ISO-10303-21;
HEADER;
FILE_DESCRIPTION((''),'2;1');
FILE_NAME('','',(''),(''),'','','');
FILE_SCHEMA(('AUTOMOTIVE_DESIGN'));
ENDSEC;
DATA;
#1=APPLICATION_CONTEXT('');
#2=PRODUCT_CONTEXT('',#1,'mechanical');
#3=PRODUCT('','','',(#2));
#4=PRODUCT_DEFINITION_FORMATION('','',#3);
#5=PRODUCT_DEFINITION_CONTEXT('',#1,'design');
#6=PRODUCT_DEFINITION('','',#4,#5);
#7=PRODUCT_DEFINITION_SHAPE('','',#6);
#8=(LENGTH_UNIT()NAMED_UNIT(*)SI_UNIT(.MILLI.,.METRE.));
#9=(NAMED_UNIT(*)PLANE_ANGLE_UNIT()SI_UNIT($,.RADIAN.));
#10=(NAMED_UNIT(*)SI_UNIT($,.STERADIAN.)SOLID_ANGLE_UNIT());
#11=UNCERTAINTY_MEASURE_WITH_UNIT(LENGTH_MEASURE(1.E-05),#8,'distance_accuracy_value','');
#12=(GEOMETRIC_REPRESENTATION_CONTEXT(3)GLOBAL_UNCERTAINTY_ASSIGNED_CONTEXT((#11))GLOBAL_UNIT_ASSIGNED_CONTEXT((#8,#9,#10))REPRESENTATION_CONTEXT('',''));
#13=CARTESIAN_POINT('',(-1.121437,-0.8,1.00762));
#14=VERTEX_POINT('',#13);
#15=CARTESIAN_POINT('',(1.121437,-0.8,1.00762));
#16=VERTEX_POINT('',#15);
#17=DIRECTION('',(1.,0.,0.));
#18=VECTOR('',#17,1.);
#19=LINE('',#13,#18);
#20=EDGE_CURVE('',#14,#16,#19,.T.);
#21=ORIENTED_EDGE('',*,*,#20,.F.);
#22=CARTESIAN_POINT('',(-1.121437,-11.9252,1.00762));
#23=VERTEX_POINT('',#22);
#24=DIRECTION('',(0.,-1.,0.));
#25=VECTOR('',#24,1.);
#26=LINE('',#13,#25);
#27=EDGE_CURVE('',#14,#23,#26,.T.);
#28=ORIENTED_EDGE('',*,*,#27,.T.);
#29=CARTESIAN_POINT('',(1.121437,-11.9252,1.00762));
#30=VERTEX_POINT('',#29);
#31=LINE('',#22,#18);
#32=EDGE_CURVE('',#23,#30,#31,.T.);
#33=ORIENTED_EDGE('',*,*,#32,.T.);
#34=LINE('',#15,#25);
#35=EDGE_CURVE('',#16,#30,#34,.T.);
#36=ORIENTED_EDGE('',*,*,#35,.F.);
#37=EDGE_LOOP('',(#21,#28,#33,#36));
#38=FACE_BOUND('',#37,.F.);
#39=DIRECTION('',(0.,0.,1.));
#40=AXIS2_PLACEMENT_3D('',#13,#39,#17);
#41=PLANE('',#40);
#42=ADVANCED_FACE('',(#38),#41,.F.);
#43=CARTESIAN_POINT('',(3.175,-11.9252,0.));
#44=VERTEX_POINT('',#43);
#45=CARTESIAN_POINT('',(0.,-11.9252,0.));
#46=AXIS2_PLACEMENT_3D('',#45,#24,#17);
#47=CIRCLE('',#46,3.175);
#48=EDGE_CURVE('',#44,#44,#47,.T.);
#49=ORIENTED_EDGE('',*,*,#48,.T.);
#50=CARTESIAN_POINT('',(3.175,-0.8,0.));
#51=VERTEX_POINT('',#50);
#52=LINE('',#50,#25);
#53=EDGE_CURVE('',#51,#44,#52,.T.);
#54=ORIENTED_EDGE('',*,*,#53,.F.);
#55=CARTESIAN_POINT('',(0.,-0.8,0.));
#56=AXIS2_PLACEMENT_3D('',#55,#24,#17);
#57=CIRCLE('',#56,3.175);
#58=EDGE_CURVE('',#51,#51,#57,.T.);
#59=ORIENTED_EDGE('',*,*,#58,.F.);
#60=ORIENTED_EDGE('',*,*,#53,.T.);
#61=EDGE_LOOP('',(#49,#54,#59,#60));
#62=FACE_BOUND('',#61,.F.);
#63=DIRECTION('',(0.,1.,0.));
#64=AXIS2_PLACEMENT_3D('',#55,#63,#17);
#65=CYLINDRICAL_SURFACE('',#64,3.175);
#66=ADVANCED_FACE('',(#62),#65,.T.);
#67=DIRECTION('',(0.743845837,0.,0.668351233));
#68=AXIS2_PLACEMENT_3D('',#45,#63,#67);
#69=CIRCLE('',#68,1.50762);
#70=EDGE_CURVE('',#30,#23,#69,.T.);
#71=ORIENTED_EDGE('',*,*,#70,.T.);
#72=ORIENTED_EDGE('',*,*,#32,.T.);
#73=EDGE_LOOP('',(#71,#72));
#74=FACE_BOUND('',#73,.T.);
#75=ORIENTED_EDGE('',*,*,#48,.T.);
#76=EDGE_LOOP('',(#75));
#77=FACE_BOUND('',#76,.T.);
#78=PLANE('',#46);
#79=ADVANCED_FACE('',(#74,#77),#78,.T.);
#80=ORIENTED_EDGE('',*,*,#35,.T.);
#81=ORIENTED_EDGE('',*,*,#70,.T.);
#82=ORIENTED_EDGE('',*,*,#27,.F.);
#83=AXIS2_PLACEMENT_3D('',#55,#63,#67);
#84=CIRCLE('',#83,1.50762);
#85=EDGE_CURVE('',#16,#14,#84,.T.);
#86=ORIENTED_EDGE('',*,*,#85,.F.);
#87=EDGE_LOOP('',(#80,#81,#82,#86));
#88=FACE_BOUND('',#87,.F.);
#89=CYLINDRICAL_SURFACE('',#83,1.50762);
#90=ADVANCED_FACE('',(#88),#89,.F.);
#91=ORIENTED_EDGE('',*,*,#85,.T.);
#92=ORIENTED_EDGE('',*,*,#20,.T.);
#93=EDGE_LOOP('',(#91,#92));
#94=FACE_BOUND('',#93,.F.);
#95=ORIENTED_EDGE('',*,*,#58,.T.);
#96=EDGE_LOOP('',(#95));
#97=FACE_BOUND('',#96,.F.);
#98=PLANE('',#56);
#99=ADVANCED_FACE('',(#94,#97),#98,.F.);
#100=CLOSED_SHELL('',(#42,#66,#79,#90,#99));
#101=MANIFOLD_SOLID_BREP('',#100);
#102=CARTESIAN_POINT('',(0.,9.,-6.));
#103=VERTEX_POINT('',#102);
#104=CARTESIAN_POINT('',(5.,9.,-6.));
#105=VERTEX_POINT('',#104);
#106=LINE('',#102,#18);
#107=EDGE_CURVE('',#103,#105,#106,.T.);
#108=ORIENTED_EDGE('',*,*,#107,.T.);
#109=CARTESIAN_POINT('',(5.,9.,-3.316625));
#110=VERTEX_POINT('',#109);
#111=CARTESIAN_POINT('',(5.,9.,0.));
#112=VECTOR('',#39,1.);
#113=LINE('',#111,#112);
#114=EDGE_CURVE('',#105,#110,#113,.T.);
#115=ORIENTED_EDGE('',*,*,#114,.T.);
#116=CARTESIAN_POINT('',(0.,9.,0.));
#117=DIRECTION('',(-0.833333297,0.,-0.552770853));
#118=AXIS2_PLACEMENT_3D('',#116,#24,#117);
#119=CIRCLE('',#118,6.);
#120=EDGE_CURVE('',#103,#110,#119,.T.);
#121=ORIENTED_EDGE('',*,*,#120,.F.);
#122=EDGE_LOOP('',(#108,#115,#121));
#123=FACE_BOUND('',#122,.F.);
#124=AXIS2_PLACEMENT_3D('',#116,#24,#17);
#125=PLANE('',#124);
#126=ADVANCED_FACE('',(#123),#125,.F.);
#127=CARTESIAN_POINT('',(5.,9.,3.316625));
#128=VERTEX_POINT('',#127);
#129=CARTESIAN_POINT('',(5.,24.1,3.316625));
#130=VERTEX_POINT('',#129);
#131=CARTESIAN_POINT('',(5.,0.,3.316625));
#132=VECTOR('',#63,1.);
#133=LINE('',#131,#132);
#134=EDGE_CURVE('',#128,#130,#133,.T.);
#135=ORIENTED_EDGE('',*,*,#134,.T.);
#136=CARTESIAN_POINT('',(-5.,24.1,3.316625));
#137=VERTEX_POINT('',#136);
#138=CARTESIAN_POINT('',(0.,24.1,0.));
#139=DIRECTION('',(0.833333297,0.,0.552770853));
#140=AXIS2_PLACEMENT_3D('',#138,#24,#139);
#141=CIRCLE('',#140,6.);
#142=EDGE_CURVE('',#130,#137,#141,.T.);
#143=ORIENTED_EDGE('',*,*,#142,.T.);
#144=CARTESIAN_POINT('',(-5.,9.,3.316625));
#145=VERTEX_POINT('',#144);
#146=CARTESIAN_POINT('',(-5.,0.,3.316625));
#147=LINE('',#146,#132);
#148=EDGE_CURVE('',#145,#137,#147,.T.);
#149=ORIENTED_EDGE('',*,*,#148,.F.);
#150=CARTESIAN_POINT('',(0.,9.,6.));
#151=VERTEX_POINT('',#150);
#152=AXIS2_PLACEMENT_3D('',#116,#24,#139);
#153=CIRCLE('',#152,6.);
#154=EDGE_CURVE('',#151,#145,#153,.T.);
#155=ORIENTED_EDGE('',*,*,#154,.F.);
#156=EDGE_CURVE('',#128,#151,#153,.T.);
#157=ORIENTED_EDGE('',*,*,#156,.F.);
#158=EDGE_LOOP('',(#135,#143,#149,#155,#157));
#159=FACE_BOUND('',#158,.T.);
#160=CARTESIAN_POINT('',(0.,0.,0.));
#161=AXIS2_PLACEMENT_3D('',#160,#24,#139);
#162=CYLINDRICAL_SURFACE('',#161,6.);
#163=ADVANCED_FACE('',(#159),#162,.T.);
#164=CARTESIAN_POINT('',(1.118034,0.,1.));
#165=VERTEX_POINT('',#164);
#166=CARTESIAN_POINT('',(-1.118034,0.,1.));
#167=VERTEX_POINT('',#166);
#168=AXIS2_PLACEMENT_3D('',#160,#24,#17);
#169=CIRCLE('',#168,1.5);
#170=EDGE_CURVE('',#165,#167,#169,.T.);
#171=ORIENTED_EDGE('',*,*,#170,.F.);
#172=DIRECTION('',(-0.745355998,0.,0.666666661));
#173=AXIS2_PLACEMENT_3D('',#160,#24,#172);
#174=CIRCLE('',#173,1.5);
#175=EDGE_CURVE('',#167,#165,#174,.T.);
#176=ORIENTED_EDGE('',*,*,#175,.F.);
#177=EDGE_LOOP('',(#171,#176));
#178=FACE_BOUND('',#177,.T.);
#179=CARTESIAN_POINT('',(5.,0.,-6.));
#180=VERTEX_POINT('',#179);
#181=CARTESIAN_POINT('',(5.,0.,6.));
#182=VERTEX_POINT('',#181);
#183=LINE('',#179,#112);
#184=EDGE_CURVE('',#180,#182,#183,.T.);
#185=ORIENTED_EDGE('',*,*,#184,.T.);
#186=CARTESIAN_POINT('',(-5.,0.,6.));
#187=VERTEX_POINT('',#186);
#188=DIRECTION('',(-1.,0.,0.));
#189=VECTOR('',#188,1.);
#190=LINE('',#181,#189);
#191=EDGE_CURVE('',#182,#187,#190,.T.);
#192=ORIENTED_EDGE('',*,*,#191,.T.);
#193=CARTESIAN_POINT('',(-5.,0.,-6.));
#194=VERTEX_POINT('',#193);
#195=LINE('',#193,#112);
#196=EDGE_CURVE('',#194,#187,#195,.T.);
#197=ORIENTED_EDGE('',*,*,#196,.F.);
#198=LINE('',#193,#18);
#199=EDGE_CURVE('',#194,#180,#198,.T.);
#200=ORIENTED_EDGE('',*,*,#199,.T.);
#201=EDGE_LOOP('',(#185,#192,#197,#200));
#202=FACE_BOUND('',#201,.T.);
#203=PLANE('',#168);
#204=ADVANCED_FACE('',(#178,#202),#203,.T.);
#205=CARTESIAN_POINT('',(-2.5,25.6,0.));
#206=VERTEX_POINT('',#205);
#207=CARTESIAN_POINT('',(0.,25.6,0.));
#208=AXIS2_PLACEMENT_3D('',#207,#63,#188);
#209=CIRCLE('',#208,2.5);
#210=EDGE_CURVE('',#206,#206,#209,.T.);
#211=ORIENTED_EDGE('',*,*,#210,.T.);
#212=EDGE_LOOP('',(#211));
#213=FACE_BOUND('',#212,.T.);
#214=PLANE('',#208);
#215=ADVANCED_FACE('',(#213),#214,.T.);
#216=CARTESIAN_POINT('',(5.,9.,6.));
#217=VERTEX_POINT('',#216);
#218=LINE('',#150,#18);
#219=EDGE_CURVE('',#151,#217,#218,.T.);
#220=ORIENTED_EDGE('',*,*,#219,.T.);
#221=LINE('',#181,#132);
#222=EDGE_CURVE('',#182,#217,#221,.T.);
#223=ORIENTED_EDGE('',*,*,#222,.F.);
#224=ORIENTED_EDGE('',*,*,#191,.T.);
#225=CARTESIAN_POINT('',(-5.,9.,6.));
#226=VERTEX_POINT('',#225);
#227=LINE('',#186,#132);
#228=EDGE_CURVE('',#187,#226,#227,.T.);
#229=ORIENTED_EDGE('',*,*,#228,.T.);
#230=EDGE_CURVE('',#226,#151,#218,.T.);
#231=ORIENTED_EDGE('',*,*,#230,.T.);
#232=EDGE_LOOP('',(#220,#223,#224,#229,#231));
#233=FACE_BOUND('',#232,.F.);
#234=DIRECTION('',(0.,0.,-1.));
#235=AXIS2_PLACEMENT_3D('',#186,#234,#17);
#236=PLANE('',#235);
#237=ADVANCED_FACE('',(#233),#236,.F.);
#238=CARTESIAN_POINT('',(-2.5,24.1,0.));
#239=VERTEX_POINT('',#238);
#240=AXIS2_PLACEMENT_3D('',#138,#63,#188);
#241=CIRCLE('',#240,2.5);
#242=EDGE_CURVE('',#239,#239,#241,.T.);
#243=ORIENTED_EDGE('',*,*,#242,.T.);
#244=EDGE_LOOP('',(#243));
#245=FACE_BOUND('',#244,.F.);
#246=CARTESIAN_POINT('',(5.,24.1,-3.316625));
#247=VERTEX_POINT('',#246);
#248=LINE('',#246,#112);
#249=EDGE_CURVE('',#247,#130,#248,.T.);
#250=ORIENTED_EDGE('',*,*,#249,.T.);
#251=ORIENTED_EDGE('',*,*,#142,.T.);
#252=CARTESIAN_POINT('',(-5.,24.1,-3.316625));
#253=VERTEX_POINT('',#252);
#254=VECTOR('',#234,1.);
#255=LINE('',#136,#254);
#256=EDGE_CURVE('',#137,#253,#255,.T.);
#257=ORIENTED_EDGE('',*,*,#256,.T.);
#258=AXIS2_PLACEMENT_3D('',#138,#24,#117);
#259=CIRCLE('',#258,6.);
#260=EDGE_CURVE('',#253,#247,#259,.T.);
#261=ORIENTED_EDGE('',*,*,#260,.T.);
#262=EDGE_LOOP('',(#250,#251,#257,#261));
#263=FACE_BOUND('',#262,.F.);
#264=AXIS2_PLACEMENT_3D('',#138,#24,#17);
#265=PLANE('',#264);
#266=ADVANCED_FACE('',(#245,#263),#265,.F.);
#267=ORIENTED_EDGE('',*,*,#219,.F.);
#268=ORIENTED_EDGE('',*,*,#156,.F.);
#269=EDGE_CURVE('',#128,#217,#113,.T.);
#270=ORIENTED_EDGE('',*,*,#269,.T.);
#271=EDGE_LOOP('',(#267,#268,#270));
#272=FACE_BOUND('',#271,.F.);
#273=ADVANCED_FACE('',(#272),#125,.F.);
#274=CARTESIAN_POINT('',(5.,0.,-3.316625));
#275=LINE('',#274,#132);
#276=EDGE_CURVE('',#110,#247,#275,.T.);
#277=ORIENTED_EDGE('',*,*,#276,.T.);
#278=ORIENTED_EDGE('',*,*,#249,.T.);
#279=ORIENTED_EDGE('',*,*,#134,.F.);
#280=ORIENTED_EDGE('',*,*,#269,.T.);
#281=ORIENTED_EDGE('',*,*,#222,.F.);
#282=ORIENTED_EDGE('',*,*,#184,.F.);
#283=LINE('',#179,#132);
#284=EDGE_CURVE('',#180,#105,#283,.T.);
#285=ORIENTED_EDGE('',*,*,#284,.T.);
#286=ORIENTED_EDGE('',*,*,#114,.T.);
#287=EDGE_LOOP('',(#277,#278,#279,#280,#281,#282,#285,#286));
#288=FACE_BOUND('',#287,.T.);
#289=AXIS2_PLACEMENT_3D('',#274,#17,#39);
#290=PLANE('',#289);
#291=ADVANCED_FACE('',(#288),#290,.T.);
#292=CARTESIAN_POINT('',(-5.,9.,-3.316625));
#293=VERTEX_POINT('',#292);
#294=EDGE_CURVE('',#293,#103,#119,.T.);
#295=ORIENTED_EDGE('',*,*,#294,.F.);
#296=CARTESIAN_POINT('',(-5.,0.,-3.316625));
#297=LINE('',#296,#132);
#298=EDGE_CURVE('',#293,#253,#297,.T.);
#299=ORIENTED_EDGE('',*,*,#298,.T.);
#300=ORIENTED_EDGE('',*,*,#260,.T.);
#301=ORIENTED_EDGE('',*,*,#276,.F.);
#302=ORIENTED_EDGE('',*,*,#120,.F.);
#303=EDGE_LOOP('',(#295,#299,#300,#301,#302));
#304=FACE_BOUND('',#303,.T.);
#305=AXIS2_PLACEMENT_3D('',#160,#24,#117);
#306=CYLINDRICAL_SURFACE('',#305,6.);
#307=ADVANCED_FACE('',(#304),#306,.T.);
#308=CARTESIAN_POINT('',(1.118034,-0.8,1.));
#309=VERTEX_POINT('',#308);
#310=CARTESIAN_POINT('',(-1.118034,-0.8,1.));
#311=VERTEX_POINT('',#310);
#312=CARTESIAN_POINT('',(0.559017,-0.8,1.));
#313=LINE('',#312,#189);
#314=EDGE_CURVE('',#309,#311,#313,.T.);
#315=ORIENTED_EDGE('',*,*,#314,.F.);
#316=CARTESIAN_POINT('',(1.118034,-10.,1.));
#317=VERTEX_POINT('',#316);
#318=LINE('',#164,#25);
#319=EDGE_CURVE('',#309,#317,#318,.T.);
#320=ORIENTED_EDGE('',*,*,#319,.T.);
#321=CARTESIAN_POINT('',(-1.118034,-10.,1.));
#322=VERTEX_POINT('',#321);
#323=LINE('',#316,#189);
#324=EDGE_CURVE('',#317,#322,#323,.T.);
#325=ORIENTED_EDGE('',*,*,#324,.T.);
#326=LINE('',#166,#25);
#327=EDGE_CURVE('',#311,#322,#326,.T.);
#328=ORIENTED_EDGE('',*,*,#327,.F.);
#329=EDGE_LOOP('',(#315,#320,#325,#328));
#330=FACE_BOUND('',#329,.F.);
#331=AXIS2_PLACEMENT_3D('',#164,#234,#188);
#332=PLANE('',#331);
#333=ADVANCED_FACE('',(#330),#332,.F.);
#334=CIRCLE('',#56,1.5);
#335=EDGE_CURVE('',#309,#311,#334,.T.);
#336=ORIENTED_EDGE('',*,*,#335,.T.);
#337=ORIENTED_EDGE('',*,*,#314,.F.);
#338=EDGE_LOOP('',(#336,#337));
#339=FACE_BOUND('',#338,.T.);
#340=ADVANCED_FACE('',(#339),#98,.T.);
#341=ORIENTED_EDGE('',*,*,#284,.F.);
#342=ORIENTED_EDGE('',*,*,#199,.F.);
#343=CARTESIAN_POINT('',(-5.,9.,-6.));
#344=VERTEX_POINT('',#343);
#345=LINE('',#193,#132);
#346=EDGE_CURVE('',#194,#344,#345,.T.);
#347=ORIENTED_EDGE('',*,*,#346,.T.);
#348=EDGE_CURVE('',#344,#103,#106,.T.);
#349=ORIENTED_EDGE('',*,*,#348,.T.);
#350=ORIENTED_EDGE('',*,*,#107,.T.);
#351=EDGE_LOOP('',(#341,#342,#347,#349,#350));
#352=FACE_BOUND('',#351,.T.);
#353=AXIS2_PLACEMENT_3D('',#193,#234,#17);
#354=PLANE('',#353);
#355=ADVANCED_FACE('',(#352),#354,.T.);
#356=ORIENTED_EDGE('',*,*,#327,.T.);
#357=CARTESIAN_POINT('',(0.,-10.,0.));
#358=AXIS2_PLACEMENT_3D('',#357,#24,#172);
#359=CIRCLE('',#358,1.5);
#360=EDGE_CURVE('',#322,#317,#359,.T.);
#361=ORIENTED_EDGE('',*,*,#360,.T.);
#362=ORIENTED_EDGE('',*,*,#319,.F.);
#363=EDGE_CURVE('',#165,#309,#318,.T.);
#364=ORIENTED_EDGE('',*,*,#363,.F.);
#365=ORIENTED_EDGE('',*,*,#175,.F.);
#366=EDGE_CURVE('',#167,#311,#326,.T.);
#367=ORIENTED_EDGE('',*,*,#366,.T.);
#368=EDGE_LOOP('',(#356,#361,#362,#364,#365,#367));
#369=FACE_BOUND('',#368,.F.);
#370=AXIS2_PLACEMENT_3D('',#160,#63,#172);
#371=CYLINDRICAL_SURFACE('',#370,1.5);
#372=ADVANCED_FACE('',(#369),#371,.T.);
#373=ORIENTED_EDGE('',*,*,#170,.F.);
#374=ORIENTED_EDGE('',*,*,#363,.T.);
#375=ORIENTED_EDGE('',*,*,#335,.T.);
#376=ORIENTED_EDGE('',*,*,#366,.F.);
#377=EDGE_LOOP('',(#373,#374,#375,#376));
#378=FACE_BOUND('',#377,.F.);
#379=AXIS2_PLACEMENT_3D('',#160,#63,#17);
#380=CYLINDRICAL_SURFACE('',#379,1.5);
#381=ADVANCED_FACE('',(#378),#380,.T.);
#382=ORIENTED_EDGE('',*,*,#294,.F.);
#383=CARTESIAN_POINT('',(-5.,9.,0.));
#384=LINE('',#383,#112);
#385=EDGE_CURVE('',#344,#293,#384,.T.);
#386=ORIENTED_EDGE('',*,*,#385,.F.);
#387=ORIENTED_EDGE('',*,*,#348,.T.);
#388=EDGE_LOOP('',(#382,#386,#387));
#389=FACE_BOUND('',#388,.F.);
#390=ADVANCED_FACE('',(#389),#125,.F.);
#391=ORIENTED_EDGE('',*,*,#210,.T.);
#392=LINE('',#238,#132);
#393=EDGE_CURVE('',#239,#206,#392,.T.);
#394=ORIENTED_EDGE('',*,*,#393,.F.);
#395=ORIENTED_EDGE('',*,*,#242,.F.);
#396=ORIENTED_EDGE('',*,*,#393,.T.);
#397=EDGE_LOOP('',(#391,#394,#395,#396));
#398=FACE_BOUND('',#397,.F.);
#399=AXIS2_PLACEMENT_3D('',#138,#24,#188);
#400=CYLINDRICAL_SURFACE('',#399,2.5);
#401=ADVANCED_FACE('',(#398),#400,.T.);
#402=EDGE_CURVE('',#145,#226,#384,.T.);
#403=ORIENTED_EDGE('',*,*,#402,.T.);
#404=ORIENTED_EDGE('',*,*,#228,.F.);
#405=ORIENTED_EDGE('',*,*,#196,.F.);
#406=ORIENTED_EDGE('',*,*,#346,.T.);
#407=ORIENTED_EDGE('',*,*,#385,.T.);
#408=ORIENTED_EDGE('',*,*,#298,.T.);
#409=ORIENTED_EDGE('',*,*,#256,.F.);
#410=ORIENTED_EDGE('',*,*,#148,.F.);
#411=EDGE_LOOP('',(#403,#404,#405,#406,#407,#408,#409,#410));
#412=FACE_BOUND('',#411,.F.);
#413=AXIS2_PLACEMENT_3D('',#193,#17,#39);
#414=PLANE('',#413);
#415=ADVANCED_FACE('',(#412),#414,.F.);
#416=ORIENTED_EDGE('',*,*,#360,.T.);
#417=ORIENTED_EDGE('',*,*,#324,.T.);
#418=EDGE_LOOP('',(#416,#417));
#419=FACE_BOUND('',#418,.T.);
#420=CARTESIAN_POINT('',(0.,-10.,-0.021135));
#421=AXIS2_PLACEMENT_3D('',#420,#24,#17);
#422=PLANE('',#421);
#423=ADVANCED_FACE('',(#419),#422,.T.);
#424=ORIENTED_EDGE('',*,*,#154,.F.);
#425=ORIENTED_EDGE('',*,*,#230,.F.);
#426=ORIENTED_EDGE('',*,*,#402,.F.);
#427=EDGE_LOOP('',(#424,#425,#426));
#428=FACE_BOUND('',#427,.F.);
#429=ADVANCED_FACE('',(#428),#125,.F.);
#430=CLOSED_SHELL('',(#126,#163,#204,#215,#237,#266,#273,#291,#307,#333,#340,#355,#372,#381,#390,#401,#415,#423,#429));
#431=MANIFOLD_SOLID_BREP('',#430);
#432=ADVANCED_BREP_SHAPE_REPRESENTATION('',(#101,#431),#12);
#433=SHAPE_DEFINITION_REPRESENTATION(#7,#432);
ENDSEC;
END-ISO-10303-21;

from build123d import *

# Parameters (mm, degrees)
F1_DEPTH  = 24.1
F2_W      = 10
F2_H      = 12
F3_DEPTH  = 9
F5_DEPTH  = 10
F6_R      = 2.5
F7_DEPTH  = 1.5
F8_R      = 1.5
F9_DEPTH  = 0.8
F10_R     = 3.175
F11_DEPTH = 11.1252


with BuildPart() as f1:
    # F0 (on Front) → F1 (new body)
    with BuildSketch(Plane.XZ):
        with BuildLine():
            Line((5, -3.316625), (5, 3.316625))
            ThreePointArc((5, 3.316625), (0, 6), (-5, 3.316625))
            Line((-5, 3.316625), (-5, -3.316625))
            ThreePointArc((-5, -3.316625), (0, -6), (5, -3.316625))
        make_face()
    extrude(amount=-F1_DEPTH)

    # F2 (on Front) → F3 (join)
    with BuildSketch(Plane.XZ):
        Rectangle(F2_W, F2_H)
    extrude(amount=-F3_DEPTH)

    # F4 (on face) → F5 (join)
    with BuildSketch(Plane.XZ):
        with BuildLine():
            Line((1.118034, 1), (-1.118034, 1))
            ThreePointArc((-1.118034, 1), (0, -1.5), (1.118034, 1))
        make_face()
    extrude(amount=F5_DEPTH)

    # F6 (on face) → F7 (join)
    with BuildSketch(Plane(origin=(0, 24.1, 0), x_dir=(-1, 0, 0), z_dir=(0, 1, 0))):
        Circle(F6_R)
    extrude(amount=F7_DEPTH)

    # F8 (on face) → F9 (join)
    with BuildSketch(Plane.XZ):
        Circle(F8_R)
    extrude(amount=F9_DEPTH)


with BuildPart() as f11:
    # F10 (on face) → F11 (new body)
    with BuildSketch(Plane.XZ.offset(0.8)):
        Circle(F10_R)
        with BuildLine():
            ThreePointArc((1.121437, 1.00762), (0, -1.50762), (-1.121437, 1.00762))
            Line((-1.121437, 1.00762), (1.121437, 1.00762))
        make_face(mode=Mode.SUBTRACT)
    extrude(amount=F11_DEPTH)


solid = Compound([f1.part, f11.part])
